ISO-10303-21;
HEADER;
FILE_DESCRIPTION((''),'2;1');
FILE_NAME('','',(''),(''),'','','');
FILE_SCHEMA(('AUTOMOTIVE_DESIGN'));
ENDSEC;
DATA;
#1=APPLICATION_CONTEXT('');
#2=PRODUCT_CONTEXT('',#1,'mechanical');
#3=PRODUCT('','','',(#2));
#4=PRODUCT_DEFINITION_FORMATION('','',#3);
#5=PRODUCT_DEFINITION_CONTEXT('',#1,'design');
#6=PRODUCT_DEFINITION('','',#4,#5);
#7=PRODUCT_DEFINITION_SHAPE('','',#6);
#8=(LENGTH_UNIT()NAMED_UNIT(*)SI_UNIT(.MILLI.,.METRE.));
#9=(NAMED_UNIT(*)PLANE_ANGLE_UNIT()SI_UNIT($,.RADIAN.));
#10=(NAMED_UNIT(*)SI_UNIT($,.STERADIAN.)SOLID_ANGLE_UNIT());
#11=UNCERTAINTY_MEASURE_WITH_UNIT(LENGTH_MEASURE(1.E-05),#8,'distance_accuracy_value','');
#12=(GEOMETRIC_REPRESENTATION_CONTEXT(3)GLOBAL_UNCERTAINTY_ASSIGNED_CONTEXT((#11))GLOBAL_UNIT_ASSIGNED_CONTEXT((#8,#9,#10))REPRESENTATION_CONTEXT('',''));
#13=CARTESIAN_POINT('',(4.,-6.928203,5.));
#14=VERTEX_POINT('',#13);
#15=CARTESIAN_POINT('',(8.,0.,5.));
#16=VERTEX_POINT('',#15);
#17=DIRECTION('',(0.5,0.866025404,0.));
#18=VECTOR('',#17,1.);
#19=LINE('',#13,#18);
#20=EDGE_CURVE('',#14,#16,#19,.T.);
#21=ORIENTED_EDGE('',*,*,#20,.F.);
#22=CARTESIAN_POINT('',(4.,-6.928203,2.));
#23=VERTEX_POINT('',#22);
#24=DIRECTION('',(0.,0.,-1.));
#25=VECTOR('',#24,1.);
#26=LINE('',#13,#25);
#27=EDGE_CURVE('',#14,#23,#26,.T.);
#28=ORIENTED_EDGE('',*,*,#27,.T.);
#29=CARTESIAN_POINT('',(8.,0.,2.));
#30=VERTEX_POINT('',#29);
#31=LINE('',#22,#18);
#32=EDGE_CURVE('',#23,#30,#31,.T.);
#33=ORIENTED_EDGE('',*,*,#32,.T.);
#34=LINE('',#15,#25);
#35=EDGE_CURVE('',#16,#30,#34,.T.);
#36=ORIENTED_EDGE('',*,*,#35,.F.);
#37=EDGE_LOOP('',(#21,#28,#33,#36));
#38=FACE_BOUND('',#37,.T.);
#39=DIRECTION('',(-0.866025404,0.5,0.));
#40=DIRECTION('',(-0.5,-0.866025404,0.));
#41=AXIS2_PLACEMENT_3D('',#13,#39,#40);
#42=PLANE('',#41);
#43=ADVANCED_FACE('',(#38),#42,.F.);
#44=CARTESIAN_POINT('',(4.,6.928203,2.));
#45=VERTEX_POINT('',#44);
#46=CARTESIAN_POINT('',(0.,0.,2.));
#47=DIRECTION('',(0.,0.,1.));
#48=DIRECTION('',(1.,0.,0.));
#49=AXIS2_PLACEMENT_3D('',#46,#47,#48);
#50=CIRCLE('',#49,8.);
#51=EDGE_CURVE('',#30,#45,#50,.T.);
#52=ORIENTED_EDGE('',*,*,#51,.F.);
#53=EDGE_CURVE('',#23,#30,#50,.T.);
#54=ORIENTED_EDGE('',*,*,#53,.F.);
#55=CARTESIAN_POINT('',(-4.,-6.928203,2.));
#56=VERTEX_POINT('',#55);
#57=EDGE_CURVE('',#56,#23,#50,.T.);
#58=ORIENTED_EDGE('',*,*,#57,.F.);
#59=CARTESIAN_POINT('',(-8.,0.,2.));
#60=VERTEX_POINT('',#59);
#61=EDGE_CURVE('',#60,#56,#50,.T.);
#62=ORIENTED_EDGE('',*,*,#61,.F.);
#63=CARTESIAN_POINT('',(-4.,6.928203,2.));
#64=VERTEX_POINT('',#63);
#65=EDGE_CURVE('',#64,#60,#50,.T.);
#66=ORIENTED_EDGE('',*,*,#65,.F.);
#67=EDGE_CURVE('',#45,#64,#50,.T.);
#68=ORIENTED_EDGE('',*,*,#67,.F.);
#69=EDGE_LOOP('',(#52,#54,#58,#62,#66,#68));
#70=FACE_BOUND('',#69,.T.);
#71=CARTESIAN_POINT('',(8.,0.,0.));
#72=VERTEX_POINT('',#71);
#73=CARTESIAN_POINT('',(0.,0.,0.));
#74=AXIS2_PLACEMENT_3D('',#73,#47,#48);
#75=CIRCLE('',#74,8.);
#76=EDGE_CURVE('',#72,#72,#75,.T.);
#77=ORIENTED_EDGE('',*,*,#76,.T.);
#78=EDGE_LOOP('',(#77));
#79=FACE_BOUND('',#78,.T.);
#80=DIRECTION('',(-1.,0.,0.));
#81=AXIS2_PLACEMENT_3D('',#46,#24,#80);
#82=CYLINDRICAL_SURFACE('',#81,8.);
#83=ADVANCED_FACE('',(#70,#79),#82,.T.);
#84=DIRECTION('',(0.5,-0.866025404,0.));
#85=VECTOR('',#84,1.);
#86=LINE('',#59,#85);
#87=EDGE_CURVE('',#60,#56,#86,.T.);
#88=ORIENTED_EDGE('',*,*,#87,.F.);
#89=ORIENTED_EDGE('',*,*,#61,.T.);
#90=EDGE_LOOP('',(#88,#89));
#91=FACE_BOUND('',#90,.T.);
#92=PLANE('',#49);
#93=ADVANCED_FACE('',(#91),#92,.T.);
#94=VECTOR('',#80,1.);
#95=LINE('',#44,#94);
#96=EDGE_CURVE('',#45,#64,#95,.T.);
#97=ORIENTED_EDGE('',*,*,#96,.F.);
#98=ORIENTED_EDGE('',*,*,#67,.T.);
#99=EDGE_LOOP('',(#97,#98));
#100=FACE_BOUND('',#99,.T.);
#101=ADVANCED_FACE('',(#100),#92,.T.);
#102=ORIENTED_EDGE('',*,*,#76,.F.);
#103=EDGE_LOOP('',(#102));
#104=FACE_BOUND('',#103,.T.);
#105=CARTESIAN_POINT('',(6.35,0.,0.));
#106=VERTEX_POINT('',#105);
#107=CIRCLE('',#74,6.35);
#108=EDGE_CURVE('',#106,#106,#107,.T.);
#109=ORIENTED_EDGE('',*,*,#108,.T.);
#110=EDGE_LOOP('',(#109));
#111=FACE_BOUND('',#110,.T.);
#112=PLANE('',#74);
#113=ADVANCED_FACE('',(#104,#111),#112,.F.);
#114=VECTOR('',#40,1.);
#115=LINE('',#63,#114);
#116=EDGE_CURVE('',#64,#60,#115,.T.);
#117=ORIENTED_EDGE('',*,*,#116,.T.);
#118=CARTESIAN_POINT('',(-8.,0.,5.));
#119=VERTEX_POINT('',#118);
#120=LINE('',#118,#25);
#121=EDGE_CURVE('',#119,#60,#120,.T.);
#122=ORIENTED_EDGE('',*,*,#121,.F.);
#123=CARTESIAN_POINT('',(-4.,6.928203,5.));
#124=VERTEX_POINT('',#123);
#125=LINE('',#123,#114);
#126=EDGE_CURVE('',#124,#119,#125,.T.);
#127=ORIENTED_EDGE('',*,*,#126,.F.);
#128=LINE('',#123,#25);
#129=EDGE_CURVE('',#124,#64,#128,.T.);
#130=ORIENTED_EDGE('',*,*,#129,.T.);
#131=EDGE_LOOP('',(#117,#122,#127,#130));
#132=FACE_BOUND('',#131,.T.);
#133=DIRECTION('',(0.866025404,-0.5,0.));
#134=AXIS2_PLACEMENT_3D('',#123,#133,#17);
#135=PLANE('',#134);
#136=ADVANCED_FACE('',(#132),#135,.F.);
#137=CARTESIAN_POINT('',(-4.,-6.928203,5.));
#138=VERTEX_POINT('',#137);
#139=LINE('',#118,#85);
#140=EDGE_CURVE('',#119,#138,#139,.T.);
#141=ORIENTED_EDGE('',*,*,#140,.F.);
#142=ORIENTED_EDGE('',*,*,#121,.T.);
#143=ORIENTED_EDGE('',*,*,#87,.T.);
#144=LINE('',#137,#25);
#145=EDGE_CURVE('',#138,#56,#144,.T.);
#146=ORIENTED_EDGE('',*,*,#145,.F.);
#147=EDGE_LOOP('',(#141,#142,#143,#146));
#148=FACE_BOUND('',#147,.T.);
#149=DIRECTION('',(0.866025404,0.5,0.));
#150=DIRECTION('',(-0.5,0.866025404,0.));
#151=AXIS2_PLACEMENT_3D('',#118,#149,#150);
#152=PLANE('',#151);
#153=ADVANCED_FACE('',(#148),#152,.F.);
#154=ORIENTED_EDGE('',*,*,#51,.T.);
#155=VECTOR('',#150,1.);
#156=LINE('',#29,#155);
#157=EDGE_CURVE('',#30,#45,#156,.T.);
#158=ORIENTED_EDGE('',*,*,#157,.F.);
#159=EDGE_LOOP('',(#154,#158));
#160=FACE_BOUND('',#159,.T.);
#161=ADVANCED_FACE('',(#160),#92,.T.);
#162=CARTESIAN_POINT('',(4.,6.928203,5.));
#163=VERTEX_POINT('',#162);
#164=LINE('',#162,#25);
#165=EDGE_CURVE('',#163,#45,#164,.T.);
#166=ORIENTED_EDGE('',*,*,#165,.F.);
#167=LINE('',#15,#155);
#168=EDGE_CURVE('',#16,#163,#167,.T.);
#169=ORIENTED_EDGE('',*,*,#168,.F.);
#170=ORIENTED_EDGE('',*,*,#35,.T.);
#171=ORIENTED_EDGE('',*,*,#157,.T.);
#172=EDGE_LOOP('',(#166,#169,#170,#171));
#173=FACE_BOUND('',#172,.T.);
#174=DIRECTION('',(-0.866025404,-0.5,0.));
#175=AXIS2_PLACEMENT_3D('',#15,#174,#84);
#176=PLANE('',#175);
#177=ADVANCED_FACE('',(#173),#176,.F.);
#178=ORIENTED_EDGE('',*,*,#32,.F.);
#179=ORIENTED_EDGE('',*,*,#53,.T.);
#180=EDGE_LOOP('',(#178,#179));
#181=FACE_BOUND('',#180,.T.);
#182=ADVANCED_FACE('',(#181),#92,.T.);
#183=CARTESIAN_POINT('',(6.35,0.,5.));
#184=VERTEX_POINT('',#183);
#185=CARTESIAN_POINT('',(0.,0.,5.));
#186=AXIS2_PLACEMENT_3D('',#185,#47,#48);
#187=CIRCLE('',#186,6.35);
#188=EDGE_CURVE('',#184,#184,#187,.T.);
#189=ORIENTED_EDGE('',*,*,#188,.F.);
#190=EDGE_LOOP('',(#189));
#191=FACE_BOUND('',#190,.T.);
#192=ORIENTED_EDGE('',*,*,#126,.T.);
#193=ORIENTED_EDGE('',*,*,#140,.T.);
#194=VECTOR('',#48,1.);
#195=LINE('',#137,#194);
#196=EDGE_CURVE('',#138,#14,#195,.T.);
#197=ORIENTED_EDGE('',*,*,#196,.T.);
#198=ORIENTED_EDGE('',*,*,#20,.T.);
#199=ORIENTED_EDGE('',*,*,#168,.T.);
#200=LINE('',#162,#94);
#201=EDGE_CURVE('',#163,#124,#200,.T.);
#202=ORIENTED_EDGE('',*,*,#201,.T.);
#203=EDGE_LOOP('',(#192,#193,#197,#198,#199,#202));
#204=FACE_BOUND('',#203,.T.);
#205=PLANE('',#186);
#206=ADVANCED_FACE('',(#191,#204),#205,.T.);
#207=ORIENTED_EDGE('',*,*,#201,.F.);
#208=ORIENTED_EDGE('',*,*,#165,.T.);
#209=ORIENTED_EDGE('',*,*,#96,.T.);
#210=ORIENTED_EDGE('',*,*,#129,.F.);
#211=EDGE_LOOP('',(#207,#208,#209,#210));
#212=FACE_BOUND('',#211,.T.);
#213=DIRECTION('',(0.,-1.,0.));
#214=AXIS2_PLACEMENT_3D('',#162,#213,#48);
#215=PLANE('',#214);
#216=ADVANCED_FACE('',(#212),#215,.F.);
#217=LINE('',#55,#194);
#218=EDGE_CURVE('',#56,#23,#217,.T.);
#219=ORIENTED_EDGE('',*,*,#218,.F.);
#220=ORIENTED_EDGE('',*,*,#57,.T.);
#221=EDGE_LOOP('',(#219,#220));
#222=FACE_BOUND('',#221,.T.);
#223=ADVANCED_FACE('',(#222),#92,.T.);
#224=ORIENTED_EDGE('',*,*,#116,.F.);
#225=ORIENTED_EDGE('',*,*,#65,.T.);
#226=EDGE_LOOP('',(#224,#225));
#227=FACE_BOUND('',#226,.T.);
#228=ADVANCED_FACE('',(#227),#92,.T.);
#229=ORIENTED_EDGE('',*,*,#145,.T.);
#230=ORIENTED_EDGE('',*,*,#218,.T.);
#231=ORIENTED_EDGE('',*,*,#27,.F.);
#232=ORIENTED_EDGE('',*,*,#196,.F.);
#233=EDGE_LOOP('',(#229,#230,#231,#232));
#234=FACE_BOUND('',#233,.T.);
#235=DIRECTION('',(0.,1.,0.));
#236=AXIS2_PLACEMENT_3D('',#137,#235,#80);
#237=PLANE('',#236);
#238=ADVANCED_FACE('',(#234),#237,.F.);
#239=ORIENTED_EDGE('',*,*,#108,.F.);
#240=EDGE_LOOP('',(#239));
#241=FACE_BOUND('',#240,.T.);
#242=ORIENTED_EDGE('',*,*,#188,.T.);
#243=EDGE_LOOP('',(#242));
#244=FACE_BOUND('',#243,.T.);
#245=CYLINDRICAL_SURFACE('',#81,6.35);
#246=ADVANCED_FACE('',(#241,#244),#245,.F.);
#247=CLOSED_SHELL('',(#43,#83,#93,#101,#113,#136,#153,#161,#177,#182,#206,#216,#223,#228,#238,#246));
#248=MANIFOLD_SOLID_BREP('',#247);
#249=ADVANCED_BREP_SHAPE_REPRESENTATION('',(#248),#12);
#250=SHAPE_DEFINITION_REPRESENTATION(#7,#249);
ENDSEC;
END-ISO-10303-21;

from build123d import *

# Parameters (mm, degrees)
ESQUISSE1_R        = 8
ESQUISSE1_R_2      = 6.35
BOSS_EXTRU_1_DEPTH = 2
ESQUISSE2_R        = 6.35
BOSS_EXTRU_2_DEPTH = 3


with BuildPart() as part:
    # Esquisse1 → Boss.-Extru.1 (new body)
    with BuildSketch(Plane.XY):
        Circle(ESQUISSE1_R)
        Circle(ESQUISSE1_R_2, mode=Mode.SUBTRACT)
    extrude(amount=BOSS_EXTRU_1_DEPTH)

    # Esquisse2 → Boss.-Extru.2 (add)
    with BuildSketch(Plane.XY.offset(2)):
        Polygon((8, 0), (4, 6.92820323), (-4, 6.92820323), (-8, 0), (-4, -6.92820323), (4, -6.92820323), align=None)
        Circle(ESQUISSE2_R, mode=Mode.SUBTRACT)
    extrude(amount=BOSS_EXTRU_2_DEPTH)


solid = part.part
